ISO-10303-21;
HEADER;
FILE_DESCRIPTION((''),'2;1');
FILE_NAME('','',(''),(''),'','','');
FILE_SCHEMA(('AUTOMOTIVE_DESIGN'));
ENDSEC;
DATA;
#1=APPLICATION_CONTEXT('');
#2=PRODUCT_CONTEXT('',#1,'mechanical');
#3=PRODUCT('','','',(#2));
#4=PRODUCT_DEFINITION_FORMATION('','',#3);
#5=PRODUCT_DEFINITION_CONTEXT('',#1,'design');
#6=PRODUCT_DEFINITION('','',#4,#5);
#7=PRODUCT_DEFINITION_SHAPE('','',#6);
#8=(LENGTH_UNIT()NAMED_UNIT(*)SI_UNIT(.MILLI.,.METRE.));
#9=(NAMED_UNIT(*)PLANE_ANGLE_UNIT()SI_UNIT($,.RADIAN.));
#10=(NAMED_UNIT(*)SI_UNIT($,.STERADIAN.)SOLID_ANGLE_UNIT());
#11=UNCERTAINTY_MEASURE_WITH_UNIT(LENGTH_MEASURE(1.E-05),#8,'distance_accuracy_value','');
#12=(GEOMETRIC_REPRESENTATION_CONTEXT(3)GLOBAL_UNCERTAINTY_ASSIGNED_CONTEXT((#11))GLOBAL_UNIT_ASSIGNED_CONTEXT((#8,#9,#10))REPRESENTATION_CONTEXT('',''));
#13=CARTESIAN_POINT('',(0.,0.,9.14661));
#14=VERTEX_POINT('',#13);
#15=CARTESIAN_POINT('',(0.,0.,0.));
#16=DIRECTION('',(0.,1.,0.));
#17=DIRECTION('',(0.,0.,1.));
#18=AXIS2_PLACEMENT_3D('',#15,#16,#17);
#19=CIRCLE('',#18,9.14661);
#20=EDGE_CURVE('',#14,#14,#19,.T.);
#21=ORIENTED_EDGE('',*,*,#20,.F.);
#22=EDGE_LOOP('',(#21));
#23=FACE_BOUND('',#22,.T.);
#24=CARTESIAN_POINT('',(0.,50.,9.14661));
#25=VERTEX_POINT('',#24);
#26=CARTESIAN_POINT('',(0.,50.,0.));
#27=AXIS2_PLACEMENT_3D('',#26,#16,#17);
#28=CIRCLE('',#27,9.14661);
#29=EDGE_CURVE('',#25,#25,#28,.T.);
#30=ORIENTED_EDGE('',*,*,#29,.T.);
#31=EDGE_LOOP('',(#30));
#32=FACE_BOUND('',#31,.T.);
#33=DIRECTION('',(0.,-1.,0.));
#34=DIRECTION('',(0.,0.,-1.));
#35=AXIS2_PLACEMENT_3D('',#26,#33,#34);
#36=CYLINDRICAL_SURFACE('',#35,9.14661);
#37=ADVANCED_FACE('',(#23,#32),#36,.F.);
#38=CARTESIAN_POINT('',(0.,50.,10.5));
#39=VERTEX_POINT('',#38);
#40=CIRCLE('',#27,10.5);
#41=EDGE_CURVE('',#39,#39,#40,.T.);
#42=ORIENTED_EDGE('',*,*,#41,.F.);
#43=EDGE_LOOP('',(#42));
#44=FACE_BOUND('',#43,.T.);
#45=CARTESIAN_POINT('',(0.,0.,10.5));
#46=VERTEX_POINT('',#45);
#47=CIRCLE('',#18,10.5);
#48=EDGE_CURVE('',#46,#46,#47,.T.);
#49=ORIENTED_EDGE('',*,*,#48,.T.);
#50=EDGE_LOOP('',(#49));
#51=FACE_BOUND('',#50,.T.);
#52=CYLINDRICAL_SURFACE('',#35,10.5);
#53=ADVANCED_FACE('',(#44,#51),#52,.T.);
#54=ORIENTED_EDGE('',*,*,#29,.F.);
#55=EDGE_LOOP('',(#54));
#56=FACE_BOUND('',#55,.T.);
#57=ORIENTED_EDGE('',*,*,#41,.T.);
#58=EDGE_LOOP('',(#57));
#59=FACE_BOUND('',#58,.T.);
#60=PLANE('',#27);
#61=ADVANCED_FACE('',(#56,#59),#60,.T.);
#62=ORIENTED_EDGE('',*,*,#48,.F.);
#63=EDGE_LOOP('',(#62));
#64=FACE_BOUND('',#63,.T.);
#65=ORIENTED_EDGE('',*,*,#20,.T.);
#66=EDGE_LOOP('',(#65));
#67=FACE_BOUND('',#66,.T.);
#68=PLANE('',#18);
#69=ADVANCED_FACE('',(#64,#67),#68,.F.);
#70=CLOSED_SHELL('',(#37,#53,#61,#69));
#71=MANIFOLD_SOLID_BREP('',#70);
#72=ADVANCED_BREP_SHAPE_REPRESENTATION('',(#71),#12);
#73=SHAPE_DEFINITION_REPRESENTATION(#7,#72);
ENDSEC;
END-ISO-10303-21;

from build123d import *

# Parameters (mm, degrees)
SKETCH1_R           = 10.5
SKETCH1_R_2         = 9.146610041
BOSS_EXTRUDE1_DEPTH = 50


with BuildPart() as part:
    # Sketch1 → Boss-Extrude1 (new body)
    with BuildSketch(Plane(origin=(0, 0, 0), x_dir=(1, 0, 0), z_dir=(0, 1, 0))):
        Circle(SKETCH1_R)
        Circle(SKETCH1_R_2, mode=Mode.SUBTRACT)
    extrude(amount=BOSS_EXTRUDE1_DEPTH)


solid = part.part
